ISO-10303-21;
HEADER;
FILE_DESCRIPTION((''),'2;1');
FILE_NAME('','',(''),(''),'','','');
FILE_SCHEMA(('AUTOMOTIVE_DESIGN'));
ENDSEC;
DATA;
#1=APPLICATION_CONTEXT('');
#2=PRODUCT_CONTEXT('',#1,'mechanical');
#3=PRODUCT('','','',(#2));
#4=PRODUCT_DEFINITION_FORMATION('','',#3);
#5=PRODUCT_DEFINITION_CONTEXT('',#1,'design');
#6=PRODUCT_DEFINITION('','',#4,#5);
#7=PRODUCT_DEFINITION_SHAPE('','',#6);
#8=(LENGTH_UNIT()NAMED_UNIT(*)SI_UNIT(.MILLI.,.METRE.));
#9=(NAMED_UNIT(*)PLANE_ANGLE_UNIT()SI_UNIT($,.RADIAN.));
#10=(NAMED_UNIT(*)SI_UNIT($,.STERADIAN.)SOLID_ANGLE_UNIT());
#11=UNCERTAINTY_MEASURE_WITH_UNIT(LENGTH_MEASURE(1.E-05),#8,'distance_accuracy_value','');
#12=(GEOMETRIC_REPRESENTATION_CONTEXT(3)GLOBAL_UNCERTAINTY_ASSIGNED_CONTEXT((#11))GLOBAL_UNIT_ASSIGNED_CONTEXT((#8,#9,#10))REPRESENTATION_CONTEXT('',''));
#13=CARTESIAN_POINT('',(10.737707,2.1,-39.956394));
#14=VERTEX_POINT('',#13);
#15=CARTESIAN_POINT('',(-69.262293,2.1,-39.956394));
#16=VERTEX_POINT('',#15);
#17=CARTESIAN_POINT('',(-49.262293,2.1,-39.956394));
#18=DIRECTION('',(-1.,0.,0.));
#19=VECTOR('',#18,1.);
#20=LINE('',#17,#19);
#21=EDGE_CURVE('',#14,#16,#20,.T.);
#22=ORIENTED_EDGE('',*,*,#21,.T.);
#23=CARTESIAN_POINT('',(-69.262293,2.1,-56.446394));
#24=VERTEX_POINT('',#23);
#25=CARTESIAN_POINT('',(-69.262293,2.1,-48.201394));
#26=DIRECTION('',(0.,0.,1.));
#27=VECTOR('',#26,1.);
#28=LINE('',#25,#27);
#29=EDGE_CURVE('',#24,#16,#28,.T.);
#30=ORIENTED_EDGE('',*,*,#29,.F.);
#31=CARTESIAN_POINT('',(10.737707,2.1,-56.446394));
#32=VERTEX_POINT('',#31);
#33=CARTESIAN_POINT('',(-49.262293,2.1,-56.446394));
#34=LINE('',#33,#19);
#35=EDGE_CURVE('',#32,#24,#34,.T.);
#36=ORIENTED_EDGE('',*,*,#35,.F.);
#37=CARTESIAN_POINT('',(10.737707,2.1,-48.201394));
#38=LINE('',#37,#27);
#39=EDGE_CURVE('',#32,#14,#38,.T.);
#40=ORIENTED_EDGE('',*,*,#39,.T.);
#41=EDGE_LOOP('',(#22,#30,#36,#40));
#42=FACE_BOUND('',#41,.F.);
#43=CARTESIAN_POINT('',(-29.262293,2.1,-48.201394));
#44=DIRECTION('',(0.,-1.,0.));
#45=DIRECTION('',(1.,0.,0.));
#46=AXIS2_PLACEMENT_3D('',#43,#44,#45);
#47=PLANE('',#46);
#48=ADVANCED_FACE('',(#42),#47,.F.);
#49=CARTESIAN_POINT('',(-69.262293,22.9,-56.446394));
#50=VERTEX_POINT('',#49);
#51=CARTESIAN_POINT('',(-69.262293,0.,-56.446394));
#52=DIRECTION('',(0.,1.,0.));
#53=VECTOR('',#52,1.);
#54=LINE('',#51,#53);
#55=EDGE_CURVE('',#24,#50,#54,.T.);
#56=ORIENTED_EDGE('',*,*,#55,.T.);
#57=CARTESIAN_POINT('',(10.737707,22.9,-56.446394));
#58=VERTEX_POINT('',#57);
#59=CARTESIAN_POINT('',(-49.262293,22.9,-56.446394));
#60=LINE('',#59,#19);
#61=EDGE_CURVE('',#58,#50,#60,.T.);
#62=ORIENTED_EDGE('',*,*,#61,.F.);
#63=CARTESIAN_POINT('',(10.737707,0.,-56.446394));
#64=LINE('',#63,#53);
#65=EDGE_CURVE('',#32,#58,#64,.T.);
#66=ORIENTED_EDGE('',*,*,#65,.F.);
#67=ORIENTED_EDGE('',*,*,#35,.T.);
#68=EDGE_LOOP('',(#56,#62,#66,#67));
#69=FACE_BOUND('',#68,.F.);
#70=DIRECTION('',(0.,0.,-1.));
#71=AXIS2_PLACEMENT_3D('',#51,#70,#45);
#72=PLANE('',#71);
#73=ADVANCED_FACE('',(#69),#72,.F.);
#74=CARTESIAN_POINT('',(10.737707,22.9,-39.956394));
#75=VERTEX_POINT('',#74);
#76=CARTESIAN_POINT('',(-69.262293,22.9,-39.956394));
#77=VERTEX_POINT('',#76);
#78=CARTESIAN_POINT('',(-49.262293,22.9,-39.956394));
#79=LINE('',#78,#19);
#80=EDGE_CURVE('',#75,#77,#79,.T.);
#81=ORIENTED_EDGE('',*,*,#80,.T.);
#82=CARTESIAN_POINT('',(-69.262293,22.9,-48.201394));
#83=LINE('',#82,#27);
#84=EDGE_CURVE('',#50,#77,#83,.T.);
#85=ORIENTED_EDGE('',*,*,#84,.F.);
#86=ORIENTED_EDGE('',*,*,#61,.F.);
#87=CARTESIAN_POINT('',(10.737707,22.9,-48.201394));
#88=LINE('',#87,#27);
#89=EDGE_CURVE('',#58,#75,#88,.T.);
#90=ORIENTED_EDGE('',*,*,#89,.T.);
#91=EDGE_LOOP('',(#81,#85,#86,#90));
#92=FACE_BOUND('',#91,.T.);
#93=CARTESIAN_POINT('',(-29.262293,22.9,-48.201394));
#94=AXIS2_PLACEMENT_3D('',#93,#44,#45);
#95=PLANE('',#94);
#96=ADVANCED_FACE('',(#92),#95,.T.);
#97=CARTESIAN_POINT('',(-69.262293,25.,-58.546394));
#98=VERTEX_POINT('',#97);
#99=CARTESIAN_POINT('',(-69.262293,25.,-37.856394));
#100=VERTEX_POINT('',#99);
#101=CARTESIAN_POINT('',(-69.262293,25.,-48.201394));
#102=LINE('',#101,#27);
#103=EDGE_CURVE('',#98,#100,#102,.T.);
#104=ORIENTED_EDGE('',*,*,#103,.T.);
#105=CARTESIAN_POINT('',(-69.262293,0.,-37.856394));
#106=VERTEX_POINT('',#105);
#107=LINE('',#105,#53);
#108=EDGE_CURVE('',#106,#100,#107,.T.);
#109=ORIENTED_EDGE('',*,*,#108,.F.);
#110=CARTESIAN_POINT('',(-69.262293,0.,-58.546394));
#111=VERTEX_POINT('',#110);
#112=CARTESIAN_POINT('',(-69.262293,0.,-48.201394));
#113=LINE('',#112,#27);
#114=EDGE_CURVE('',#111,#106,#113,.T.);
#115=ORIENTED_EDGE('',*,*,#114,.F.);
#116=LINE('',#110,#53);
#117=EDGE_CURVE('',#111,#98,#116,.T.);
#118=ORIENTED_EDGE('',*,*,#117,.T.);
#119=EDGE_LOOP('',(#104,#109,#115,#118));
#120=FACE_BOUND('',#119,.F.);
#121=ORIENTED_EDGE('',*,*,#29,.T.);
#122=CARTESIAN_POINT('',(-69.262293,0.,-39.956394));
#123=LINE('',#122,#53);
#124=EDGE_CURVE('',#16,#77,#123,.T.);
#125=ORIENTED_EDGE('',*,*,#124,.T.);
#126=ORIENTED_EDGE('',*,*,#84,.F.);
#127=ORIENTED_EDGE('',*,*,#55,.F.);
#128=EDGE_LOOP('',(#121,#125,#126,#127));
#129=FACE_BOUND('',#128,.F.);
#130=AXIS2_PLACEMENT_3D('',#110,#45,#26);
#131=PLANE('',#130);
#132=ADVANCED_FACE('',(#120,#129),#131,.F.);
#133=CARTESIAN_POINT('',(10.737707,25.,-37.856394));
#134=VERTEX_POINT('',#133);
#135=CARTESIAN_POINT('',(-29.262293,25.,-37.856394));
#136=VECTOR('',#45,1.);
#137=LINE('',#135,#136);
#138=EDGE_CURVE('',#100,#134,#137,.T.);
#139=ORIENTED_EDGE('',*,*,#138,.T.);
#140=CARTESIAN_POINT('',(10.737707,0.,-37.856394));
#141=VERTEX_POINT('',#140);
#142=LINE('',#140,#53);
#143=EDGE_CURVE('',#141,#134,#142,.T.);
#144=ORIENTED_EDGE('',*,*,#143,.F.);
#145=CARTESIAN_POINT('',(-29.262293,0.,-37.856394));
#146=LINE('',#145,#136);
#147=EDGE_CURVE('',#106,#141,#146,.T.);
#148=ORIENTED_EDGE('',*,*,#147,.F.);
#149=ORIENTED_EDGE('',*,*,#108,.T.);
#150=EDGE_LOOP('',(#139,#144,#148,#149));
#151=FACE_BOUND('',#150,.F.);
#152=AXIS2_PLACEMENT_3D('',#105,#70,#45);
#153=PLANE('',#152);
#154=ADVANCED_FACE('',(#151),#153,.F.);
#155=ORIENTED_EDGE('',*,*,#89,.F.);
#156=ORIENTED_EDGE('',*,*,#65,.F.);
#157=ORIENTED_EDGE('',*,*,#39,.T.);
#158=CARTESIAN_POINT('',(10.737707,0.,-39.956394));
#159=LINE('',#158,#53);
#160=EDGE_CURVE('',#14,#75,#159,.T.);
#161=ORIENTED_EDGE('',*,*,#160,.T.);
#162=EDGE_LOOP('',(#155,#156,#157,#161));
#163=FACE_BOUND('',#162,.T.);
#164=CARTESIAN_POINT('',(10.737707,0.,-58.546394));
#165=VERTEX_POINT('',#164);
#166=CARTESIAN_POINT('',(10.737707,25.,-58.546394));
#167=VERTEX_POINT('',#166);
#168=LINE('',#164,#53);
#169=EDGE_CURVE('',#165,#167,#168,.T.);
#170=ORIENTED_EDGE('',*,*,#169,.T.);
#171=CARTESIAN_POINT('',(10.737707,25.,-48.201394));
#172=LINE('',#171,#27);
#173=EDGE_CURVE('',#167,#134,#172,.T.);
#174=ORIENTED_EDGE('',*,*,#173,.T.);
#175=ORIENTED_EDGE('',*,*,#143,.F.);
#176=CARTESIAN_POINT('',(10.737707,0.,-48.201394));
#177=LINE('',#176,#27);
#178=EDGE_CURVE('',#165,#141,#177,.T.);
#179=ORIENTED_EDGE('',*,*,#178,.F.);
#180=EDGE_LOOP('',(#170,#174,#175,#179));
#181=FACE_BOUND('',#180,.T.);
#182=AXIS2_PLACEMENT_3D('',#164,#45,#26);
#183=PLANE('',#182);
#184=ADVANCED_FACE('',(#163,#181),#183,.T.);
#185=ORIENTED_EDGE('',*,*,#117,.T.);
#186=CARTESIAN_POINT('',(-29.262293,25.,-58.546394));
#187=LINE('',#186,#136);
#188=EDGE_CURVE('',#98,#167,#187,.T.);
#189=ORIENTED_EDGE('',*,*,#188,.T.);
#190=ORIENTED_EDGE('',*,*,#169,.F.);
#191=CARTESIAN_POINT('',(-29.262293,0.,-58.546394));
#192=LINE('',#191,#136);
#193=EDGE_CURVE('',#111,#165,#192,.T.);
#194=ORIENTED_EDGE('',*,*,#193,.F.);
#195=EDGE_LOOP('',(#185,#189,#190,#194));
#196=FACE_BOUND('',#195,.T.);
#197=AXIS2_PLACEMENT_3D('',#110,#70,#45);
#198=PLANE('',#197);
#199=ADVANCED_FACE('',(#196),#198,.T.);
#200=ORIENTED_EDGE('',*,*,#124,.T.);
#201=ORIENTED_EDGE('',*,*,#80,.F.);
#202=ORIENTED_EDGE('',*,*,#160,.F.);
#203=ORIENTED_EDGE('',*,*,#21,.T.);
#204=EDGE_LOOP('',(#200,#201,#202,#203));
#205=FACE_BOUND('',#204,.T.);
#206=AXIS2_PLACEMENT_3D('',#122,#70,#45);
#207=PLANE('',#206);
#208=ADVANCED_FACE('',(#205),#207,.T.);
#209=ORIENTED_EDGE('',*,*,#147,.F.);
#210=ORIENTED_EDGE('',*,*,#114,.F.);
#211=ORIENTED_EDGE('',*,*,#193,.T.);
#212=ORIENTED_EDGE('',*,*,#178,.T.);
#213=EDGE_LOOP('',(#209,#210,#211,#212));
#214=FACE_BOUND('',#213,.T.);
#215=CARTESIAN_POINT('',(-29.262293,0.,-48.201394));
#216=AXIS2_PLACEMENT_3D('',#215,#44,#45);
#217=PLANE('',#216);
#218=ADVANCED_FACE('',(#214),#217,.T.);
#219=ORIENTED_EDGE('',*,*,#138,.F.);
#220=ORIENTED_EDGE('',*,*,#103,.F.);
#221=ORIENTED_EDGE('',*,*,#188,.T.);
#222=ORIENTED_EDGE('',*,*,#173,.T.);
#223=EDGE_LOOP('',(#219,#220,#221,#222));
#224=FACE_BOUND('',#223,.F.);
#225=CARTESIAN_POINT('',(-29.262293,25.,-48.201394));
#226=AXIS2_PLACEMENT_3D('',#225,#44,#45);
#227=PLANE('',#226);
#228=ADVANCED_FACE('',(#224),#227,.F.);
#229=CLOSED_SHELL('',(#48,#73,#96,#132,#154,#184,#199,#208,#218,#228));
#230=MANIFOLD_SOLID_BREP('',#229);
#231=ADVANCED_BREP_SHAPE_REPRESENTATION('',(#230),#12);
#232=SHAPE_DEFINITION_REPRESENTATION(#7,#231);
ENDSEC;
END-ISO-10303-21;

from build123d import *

# Parameters (mm, degrees)
F0_W     = 80
F0_H     = 20.69
F1_DEPTH = 25
F2_T     = -2.1


with BuildPart() as f1:
    # F0 (on Front) → F1 (new body)
    with BuildSketch(Plane.XZ):
        with Locations((-29.262293, -48.201394)):
            Rectangle(F0_W, F0_H)
    extrude(amount=-F1_DEPTH)

    # F2
    f2_openings = [f1.faces().sort_by_distance(p)[0] for p in [
        (10.737707, 12.5, -48.201394),
        (-69.262293, 12.5, -48.201394),
    ]]
    offset(amount=F2_T, openings=f2_openings)


solid = f1.part
